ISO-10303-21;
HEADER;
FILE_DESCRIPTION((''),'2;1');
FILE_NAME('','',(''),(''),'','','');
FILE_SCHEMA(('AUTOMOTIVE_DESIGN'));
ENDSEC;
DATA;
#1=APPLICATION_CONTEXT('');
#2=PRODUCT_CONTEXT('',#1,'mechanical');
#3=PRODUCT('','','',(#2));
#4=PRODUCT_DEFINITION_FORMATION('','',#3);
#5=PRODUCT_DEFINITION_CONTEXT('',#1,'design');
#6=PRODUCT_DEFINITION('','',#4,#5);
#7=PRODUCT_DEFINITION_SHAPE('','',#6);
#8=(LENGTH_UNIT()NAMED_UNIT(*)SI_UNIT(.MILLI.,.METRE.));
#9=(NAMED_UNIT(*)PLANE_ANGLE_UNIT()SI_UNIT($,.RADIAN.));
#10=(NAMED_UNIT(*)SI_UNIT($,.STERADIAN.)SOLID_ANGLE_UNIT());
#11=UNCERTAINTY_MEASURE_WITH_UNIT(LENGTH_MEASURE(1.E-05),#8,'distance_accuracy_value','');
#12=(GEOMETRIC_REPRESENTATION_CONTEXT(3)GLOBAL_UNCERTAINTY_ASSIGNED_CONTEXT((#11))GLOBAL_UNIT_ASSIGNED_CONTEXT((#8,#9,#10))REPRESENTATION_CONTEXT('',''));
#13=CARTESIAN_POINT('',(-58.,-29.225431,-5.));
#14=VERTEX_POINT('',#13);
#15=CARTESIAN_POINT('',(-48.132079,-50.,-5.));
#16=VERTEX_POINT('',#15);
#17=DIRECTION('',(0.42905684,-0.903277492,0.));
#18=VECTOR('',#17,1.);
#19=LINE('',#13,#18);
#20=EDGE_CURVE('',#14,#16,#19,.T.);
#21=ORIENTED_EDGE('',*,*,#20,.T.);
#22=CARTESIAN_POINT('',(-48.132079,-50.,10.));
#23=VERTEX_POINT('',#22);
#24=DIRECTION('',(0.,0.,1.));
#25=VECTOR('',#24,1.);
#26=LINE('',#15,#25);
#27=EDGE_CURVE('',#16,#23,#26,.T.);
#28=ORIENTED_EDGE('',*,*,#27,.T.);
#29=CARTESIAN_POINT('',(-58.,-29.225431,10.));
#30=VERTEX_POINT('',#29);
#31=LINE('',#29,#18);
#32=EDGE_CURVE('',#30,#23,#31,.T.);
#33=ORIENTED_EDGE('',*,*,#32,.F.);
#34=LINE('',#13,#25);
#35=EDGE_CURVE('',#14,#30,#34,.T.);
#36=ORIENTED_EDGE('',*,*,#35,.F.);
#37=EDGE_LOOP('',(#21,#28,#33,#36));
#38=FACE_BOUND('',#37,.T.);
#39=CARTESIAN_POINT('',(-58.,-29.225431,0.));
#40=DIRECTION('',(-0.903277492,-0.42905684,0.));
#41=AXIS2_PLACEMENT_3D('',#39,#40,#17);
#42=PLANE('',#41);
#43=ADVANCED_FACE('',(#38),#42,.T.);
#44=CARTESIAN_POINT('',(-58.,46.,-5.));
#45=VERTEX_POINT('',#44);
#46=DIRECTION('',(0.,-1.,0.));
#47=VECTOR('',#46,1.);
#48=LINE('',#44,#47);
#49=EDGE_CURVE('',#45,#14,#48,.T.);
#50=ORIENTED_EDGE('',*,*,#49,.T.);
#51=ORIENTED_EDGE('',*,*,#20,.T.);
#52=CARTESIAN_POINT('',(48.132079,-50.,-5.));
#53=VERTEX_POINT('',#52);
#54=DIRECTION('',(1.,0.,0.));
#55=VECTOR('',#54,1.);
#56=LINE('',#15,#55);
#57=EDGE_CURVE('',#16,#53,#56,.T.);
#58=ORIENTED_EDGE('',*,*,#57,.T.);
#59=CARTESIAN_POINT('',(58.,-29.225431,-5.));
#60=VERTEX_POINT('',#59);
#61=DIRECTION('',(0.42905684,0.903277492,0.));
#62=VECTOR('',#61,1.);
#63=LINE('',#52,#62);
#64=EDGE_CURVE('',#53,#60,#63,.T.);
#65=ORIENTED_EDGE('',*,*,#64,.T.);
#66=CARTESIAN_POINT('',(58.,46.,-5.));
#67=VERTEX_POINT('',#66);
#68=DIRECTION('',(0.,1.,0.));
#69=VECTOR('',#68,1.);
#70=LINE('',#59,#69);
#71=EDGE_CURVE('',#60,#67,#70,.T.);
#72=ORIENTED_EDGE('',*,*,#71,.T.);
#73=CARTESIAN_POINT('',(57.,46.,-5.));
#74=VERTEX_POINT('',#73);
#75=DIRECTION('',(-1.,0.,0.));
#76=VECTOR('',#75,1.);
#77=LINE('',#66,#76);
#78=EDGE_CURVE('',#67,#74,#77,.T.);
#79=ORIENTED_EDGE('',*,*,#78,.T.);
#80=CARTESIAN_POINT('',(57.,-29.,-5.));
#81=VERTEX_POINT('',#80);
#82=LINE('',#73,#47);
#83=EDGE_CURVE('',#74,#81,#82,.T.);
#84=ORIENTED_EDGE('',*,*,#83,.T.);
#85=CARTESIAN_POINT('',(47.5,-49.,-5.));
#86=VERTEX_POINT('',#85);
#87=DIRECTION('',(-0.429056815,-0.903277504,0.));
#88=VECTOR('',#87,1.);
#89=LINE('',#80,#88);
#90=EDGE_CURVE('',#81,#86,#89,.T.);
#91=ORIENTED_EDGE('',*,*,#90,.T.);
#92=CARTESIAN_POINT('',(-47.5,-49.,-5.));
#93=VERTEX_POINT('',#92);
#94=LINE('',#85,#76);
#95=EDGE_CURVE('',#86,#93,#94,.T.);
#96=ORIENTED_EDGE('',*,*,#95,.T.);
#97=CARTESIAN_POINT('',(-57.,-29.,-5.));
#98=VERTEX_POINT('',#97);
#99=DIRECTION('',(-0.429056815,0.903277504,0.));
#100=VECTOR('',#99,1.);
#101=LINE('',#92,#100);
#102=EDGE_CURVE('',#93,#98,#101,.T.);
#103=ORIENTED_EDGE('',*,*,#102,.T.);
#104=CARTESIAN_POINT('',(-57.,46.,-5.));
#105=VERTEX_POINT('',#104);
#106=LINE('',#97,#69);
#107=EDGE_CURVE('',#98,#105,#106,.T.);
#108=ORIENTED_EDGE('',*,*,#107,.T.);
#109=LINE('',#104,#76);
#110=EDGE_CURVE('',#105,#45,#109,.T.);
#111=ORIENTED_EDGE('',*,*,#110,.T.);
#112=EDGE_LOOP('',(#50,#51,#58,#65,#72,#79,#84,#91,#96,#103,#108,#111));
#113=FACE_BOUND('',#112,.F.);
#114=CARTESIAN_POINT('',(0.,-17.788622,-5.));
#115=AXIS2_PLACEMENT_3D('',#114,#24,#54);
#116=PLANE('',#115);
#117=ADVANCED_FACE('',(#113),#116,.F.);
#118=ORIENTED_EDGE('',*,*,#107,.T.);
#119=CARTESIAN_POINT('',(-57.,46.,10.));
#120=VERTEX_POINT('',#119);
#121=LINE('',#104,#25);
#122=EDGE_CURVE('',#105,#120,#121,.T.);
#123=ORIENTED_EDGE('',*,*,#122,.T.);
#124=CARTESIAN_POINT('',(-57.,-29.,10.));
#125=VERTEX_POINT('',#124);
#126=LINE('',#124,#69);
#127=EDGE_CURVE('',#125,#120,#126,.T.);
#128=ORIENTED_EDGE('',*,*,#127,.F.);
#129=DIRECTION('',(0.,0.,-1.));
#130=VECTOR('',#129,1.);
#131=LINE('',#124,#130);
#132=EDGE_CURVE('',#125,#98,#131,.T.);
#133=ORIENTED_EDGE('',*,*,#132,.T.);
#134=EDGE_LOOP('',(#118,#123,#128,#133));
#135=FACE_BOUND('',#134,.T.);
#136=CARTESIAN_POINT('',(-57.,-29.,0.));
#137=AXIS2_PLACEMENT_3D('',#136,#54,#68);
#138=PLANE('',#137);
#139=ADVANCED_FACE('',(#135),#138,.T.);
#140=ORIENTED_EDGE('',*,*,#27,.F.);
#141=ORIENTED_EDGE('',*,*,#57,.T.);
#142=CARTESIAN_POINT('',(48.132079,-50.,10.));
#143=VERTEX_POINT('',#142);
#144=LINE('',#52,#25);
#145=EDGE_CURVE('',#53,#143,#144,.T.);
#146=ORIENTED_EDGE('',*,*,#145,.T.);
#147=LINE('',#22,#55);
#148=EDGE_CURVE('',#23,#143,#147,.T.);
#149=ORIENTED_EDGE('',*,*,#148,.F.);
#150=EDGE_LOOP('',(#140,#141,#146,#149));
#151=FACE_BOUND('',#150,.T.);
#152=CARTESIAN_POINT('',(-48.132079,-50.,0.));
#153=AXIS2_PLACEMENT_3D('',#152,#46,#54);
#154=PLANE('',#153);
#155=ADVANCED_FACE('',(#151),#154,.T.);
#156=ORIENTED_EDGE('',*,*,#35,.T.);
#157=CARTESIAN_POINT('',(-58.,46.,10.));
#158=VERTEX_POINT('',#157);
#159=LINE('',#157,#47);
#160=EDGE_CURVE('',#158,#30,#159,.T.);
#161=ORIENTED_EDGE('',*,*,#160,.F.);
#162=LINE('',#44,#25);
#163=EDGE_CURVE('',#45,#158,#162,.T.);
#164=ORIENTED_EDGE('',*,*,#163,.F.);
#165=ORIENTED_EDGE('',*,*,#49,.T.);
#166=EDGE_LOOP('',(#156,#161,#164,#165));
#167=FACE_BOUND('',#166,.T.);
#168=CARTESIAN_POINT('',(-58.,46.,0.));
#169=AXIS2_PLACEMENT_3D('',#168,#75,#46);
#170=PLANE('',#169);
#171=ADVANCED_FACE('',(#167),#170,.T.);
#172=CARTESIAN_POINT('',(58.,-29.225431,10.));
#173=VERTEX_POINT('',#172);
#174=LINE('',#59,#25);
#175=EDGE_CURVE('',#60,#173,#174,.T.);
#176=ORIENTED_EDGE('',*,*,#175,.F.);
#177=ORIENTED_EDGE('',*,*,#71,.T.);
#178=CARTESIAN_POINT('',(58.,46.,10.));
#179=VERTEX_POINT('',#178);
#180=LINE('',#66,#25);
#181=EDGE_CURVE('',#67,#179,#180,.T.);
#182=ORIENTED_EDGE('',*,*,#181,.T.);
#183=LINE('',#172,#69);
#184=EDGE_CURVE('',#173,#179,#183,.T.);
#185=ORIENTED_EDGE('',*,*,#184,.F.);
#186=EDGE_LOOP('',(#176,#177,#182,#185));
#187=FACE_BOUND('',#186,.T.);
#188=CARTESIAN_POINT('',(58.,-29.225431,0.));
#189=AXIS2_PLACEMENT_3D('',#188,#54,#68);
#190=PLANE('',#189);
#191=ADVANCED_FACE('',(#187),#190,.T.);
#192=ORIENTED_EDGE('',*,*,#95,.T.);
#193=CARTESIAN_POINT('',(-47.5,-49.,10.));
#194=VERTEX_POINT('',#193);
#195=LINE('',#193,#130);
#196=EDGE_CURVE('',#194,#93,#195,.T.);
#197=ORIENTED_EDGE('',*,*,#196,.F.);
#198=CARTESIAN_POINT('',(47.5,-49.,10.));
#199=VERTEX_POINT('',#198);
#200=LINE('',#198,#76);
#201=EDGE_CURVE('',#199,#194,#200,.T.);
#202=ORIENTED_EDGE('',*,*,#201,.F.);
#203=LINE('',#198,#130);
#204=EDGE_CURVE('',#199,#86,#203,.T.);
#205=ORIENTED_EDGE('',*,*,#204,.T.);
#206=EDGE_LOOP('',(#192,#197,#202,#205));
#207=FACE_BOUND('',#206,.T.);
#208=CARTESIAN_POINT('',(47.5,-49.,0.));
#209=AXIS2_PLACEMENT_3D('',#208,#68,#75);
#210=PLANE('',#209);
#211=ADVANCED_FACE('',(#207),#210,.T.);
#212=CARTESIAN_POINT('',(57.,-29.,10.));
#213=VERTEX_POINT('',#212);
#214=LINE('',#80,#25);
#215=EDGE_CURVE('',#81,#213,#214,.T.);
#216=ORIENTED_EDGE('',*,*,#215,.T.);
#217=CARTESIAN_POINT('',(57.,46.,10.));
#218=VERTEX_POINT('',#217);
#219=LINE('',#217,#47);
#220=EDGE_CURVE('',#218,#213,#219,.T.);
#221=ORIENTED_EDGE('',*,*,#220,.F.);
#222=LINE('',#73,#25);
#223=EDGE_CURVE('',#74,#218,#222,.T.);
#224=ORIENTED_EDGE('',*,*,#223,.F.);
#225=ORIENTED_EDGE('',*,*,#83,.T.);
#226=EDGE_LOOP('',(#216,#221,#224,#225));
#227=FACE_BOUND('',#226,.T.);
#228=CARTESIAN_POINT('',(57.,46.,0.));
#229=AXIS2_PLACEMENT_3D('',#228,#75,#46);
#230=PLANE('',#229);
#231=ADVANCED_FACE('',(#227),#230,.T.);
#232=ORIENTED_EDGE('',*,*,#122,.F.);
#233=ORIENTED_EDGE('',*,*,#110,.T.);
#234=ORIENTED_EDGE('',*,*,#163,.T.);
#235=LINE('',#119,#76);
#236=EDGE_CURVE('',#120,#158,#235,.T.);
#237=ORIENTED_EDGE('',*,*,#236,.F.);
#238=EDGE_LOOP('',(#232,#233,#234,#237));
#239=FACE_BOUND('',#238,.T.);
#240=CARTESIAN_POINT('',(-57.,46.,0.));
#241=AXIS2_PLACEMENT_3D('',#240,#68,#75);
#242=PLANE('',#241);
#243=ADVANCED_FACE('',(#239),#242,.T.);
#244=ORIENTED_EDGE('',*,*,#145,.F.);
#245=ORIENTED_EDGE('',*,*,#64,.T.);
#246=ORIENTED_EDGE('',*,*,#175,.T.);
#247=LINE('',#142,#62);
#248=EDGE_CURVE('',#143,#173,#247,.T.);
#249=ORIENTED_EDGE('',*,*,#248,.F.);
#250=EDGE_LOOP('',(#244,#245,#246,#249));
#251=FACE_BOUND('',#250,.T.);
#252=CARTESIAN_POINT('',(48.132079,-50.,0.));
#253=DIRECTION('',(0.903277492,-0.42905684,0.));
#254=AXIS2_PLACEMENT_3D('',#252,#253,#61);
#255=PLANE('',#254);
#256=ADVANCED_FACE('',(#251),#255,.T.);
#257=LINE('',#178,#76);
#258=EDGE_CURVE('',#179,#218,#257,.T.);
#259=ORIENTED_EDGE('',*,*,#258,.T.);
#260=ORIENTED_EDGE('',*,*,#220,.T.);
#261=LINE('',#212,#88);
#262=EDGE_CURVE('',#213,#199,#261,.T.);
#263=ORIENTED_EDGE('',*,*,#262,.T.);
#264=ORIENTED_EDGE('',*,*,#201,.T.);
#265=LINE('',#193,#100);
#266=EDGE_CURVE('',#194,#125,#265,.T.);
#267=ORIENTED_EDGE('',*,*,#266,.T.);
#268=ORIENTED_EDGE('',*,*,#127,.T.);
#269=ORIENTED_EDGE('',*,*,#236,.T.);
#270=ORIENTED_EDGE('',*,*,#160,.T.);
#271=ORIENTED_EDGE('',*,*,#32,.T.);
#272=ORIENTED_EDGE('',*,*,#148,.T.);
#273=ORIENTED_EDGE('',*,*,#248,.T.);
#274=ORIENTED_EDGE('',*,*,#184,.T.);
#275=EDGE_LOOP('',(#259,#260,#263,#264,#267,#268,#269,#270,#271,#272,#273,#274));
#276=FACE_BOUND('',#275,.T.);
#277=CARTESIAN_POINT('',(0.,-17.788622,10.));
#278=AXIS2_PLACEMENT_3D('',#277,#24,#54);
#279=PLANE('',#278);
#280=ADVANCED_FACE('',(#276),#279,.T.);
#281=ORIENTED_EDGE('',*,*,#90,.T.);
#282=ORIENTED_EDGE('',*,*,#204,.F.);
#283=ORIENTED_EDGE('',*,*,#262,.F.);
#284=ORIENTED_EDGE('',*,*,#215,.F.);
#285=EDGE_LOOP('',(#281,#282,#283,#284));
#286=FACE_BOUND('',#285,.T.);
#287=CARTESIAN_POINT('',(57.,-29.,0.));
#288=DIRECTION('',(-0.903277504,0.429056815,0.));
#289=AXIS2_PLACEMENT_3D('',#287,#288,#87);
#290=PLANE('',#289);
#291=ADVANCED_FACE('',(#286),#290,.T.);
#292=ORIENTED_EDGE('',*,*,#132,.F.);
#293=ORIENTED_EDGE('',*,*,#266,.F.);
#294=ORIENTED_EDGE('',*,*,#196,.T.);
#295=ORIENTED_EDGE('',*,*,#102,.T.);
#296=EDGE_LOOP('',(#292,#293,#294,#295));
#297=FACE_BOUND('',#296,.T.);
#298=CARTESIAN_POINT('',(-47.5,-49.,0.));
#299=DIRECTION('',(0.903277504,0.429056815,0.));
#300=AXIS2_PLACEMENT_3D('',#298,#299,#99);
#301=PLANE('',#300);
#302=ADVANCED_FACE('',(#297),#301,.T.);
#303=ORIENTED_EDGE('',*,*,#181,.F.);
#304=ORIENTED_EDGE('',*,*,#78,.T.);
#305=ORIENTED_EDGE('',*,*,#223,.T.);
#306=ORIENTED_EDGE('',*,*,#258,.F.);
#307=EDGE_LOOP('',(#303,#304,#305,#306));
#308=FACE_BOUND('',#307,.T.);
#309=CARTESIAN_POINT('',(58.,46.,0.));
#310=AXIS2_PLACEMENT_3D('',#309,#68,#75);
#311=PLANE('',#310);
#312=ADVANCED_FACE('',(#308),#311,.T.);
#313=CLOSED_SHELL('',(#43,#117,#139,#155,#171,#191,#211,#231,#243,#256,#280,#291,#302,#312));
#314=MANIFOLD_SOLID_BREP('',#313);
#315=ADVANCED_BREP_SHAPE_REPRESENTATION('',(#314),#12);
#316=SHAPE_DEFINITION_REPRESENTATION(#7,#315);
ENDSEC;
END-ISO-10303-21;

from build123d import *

# Parameters (mm, degrees)
F1_DEPTH      = 10
F1_DEPTH_BACK = 5


with BuildPart() as f1:
    # F0 (on Top) → F1 (new body, two sides)
    with BuildSketch(Plane.XY) as f1_sk:
        Polygon((-57, -29), (-57, 46), (-58, 46), (-58, -29.225431), (-48.132079, -50), (48.132079, -50), (58, -29.225431), (58, 46), (57, 46), (57, -29), (47.5, -49), (-47.5, -49), align=None)
    extrude(amount=F1_DEPTH)
    extrude(f1_sk.sketch, amount=-F1_DEPTH_BACK)


solid = f1.part
